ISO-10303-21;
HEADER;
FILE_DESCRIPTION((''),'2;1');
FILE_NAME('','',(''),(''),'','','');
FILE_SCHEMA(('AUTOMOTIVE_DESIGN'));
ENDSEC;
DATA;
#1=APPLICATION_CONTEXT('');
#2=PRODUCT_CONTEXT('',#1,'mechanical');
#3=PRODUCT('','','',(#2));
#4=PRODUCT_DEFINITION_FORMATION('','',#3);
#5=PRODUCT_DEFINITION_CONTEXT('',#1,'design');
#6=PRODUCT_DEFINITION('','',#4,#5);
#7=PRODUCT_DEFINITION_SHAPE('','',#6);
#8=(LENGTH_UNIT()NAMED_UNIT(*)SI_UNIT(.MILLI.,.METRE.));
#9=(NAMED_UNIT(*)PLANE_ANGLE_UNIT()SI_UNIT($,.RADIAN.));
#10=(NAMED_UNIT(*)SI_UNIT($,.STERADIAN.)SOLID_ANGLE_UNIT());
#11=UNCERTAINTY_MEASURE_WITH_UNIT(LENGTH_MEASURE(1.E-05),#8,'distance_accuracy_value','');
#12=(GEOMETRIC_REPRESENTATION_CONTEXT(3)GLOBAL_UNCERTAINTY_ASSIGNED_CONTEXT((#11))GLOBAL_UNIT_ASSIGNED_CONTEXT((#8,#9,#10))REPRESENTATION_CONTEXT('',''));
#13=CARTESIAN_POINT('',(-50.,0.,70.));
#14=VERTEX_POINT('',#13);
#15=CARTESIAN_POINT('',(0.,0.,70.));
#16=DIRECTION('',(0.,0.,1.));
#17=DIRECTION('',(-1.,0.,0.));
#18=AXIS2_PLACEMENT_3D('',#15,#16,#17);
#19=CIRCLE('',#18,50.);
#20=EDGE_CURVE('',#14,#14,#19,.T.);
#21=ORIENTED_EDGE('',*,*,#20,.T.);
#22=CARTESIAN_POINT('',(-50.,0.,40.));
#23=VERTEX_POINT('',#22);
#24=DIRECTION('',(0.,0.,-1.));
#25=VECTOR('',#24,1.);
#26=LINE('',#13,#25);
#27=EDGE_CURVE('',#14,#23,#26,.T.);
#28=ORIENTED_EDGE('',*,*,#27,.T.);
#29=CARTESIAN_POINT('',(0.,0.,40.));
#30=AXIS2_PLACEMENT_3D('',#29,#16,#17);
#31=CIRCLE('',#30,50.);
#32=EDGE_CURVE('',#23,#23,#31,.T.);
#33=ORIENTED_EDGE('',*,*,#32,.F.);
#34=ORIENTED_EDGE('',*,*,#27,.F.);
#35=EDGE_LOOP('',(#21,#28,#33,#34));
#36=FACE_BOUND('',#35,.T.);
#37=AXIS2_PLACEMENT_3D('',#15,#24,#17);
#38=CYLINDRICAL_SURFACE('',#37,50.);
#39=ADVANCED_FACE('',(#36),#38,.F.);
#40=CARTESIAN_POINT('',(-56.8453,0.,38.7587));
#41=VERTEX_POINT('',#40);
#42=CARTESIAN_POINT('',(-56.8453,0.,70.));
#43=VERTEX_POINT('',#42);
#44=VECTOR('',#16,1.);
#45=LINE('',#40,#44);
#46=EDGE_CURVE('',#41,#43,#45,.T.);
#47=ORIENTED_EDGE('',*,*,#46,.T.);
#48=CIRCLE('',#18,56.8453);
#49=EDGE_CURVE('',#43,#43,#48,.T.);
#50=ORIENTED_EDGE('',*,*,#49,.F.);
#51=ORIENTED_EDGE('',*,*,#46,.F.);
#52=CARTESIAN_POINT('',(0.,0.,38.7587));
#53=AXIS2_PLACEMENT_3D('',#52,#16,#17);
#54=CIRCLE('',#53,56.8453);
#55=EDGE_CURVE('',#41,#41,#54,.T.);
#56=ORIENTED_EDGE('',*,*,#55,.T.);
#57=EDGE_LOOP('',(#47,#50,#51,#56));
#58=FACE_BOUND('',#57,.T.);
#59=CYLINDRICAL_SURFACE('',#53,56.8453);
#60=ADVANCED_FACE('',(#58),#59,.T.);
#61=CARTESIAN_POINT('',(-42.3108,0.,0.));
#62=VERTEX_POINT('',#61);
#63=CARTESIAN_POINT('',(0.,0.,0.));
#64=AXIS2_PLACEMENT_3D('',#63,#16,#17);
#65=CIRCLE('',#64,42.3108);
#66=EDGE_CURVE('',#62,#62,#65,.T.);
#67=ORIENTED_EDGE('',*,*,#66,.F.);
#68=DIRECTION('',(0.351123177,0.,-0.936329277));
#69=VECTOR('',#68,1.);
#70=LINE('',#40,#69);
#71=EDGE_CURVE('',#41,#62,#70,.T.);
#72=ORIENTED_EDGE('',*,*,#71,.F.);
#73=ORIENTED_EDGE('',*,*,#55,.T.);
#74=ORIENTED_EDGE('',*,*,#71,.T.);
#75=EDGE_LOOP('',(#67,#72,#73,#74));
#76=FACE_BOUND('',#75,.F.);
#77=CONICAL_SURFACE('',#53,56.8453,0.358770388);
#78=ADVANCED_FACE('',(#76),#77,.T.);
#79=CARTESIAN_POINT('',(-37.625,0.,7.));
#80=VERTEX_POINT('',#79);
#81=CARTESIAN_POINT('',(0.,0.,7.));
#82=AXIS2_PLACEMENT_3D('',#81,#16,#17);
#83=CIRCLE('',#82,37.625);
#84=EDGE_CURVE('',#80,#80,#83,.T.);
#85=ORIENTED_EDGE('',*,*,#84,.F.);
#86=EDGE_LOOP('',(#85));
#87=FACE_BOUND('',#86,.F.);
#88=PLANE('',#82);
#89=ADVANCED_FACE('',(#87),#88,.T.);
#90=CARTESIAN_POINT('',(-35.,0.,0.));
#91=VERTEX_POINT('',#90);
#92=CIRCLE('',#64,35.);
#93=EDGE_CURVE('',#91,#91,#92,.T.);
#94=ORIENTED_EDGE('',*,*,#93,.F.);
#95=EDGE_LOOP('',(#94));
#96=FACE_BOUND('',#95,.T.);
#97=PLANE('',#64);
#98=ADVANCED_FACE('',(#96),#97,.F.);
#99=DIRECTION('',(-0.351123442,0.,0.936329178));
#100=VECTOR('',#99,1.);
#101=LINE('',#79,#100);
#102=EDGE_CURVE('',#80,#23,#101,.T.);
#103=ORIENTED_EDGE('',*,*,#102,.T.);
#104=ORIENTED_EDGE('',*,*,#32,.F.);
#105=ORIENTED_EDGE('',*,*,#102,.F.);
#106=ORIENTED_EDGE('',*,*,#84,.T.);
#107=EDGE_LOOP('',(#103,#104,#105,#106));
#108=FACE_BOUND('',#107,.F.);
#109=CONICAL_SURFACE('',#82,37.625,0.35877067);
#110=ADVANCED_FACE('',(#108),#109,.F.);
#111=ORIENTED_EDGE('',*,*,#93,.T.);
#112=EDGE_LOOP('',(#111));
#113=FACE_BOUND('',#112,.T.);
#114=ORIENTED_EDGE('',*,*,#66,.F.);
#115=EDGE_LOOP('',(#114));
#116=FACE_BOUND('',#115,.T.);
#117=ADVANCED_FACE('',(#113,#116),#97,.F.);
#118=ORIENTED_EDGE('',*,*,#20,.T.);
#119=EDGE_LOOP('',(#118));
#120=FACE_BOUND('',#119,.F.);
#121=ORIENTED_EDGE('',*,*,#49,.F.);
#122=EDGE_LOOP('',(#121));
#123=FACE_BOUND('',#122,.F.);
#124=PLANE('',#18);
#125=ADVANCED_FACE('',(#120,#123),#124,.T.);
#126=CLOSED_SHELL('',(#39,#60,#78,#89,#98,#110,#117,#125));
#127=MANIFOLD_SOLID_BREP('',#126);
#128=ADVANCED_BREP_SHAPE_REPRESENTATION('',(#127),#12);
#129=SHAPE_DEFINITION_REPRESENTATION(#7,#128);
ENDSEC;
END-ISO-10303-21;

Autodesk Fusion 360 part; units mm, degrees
sketch "Sketch1" plane through (0, 0, 0) normal (0, 1, 0) x (1, 0, 0)
  line L0 (-50, -70) -> (-50, -40)
  line L1 (-35, 0) -> (-42.3108, 0)
  line L2 (0, 0) -> (0, -7)
  line L3 (-56.8453, -38.7587) -> (-42.3108, 0)
  line L4 (0, 0) -> (-35, 0)
  line L5 (0, -7) -> (-37.625, -7)
  line L6 (-37.625, -7) -> (-50, -40)
  line L7 (-50, -70) -> (-56.8453, -70)
  line L8 (-56.8453, -38.7587) -> (-56.8453, -70)
  dimension "d1" = 35
  dimension "d2" = 56.8453
  dimension "d3" = 70
  dimension "d4" = 6.8453
  dimension "d5" = 7
  dimension "d6" = 110.556
  dimension "d7" = 6.8453
  dimension "d8" = 37.625
revolve "Revolve1" add sketch "Sketch1" angle 360 about axis through (0, 0, 1.75) along (0, 0, 1)
